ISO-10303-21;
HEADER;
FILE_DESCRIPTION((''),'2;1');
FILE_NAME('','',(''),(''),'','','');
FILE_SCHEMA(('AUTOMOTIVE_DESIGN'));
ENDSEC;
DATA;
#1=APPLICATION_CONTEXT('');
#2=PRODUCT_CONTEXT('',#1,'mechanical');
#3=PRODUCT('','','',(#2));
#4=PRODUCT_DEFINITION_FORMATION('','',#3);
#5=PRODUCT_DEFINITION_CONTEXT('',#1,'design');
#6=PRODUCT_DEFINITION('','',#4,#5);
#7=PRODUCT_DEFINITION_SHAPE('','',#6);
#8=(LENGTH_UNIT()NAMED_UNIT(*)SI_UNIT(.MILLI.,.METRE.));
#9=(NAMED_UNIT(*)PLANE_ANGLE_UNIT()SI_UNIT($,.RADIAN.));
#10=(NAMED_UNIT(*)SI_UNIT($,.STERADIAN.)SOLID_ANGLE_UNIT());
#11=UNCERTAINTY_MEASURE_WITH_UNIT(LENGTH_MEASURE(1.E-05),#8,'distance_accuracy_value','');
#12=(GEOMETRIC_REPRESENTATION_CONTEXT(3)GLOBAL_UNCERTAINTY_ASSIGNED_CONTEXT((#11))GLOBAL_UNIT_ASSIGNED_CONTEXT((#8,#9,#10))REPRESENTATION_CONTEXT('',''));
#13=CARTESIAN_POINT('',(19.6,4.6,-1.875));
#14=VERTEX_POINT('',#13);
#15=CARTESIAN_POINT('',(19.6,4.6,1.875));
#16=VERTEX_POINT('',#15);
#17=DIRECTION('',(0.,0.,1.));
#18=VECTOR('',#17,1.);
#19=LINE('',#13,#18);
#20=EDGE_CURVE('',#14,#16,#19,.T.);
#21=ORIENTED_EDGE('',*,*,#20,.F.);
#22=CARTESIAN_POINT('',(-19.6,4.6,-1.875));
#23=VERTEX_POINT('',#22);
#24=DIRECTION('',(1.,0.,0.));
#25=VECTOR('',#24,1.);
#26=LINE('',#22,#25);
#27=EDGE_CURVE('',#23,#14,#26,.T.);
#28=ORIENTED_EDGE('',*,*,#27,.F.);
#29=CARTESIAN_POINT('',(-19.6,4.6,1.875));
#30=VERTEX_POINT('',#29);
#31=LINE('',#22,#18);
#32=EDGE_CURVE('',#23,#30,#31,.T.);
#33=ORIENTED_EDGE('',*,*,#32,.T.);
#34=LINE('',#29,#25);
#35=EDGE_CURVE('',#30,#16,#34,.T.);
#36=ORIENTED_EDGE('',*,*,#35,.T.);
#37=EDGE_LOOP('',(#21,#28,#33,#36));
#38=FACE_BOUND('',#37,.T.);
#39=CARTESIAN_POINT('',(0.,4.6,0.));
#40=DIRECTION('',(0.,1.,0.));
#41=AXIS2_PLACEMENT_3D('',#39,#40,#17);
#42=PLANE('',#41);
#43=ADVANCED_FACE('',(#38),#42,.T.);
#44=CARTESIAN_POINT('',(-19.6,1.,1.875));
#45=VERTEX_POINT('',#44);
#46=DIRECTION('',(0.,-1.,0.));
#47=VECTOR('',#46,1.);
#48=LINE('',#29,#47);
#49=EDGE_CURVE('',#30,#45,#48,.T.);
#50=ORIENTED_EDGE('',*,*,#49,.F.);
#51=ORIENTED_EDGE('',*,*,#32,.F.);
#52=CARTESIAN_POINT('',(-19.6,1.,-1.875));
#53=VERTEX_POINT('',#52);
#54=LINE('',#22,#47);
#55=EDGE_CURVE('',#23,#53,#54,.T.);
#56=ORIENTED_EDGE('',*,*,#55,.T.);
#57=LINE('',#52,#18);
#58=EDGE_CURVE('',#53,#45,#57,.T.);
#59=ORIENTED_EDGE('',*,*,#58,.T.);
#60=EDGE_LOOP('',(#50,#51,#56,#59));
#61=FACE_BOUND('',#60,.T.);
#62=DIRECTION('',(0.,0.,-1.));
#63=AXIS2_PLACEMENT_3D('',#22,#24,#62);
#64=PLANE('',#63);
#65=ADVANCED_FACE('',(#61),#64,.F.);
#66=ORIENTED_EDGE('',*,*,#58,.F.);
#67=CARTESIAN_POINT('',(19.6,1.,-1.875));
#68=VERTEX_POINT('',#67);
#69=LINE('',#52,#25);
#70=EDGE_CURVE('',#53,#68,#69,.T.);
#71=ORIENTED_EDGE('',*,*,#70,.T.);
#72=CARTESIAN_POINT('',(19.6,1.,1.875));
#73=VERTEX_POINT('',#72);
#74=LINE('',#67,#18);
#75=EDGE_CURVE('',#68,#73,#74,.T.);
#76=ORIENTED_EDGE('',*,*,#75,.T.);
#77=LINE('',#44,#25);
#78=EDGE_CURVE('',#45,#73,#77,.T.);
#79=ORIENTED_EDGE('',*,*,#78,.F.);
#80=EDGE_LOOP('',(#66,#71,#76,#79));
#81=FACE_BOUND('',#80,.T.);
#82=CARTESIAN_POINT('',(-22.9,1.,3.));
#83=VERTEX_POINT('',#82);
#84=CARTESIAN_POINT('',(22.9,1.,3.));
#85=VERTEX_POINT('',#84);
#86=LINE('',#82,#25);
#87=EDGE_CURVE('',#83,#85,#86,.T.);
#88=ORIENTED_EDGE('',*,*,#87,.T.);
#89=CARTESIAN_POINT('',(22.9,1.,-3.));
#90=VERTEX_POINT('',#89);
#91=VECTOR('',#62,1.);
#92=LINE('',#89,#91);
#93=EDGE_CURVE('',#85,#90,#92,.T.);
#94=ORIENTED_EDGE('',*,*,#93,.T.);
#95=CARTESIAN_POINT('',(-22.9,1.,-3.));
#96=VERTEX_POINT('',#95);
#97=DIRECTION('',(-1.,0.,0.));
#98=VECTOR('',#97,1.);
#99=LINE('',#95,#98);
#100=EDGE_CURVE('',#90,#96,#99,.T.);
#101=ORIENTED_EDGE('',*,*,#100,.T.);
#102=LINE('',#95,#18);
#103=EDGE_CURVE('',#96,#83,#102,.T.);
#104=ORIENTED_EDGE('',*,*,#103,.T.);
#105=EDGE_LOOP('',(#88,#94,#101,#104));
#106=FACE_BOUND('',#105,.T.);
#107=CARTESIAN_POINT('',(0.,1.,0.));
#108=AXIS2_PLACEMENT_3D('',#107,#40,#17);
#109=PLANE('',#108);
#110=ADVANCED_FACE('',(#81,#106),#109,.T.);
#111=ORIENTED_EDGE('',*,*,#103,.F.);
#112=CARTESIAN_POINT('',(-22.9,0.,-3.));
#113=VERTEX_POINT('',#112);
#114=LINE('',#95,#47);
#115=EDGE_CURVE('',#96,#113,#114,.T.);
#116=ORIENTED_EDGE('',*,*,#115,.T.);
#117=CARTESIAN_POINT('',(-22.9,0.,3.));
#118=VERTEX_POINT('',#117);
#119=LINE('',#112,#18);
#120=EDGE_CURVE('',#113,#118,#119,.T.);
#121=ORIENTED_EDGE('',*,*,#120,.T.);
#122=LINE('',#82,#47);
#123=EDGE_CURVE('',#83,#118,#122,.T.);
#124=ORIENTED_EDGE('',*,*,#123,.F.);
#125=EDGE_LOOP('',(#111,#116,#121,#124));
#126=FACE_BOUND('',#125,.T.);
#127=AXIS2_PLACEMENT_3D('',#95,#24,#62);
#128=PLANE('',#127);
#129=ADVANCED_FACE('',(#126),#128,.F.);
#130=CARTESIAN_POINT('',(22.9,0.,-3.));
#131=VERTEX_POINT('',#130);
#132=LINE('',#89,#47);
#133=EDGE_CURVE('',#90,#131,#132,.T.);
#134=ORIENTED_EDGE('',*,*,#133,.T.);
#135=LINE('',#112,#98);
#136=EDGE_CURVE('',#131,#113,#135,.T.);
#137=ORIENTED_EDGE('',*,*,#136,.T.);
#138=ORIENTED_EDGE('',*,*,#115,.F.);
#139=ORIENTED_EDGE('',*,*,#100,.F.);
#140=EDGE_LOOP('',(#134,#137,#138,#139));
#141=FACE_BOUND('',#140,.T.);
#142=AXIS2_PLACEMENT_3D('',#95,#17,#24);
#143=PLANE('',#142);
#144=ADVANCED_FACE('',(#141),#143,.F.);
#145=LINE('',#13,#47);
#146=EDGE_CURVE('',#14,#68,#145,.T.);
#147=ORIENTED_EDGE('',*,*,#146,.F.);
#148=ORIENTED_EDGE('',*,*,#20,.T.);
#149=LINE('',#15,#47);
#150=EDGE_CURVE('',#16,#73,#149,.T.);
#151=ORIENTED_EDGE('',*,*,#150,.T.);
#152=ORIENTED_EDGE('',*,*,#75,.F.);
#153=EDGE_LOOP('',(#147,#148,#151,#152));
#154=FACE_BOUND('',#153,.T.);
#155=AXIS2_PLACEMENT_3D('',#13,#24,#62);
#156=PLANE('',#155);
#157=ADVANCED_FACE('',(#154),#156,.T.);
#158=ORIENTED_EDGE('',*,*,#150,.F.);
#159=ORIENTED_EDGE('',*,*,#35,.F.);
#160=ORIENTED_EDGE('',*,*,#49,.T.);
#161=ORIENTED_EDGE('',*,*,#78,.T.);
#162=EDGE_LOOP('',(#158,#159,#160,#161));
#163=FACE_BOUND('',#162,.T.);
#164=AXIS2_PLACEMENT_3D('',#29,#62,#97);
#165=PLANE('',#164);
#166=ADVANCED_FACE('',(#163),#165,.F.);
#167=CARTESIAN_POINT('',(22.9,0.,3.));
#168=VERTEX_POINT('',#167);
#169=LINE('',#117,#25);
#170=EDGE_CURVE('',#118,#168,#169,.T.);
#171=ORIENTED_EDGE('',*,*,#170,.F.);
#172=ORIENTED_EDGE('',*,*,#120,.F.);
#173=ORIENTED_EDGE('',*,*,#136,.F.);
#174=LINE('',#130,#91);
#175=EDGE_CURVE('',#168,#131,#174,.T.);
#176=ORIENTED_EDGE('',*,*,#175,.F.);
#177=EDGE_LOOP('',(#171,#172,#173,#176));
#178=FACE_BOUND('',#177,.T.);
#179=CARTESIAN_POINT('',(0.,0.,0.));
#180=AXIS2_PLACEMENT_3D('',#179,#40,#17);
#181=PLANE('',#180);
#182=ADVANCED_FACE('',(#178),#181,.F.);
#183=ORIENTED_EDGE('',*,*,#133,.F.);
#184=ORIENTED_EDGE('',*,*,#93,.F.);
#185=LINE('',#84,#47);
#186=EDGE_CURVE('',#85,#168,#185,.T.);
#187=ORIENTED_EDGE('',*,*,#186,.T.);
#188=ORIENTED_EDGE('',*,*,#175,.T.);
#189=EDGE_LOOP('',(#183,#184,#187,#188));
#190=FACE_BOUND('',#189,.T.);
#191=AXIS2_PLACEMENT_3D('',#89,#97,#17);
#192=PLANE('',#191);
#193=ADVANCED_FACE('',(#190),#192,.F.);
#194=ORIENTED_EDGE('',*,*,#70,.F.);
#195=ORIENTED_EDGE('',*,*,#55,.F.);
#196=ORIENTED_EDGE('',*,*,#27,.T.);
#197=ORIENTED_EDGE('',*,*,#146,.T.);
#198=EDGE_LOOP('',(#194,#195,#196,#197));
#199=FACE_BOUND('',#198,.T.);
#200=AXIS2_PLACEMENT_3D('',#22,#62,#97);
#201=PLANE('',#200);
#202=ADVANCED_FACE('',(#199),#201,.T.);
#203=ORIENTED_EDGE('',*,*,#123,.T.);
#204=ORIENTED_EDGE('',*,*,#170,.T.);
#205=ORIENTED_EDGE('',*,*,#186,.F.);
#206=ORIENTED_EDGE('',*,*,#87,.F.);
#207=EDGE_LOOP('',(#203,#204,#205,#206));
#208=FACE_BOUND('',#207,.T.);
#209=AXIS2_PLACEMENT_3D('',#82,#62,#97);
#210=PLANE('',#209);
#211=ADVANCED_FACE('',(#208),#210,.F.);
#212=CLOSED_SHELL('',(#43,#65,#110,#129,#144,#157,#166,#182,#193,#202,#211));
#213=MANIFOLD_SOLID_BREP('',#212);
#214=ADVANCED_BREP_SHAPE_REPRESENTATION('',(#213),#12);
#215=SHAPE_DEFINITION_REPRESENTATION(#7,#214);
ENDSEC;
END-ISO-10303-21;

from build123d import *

# Parameters (mm, degrees)
SKETCH_1_W      = 45.8
SKETCH_1_H      = 6
EXTRUDE_1_DEPTH = 1
SKETCH_2_W      = 39.2
SKETCH_2_H      = 3.75
EXTRUDE_2_DEPTH = 3.6


with BuildPart() as part:
    # 草图1 → 凸台-拉伸1 (new body)
    with BuildSketch(Plane(origin=(0, 0, 0), x_dir=(1, 0, 0), z_dir=(0, 1, 0))):
        Rectangle(SKETCH_1_W, SKETCH_1_H)
    extrude(amount=EXTRUDE_1_DEPTH)

    # 草图2 → 凸台-拉伸2 (add)
    with BuildSketch(Plane(origin=(0, 1, 0), x_dir=(1, 0, 0), z_dir=(0, 1, 0))):
        Rectangle(SKETCH_2_W, SKETCH_2_H)
    extrude(amount=EXTRUDE_2_DEPTH)


solid = part.part
